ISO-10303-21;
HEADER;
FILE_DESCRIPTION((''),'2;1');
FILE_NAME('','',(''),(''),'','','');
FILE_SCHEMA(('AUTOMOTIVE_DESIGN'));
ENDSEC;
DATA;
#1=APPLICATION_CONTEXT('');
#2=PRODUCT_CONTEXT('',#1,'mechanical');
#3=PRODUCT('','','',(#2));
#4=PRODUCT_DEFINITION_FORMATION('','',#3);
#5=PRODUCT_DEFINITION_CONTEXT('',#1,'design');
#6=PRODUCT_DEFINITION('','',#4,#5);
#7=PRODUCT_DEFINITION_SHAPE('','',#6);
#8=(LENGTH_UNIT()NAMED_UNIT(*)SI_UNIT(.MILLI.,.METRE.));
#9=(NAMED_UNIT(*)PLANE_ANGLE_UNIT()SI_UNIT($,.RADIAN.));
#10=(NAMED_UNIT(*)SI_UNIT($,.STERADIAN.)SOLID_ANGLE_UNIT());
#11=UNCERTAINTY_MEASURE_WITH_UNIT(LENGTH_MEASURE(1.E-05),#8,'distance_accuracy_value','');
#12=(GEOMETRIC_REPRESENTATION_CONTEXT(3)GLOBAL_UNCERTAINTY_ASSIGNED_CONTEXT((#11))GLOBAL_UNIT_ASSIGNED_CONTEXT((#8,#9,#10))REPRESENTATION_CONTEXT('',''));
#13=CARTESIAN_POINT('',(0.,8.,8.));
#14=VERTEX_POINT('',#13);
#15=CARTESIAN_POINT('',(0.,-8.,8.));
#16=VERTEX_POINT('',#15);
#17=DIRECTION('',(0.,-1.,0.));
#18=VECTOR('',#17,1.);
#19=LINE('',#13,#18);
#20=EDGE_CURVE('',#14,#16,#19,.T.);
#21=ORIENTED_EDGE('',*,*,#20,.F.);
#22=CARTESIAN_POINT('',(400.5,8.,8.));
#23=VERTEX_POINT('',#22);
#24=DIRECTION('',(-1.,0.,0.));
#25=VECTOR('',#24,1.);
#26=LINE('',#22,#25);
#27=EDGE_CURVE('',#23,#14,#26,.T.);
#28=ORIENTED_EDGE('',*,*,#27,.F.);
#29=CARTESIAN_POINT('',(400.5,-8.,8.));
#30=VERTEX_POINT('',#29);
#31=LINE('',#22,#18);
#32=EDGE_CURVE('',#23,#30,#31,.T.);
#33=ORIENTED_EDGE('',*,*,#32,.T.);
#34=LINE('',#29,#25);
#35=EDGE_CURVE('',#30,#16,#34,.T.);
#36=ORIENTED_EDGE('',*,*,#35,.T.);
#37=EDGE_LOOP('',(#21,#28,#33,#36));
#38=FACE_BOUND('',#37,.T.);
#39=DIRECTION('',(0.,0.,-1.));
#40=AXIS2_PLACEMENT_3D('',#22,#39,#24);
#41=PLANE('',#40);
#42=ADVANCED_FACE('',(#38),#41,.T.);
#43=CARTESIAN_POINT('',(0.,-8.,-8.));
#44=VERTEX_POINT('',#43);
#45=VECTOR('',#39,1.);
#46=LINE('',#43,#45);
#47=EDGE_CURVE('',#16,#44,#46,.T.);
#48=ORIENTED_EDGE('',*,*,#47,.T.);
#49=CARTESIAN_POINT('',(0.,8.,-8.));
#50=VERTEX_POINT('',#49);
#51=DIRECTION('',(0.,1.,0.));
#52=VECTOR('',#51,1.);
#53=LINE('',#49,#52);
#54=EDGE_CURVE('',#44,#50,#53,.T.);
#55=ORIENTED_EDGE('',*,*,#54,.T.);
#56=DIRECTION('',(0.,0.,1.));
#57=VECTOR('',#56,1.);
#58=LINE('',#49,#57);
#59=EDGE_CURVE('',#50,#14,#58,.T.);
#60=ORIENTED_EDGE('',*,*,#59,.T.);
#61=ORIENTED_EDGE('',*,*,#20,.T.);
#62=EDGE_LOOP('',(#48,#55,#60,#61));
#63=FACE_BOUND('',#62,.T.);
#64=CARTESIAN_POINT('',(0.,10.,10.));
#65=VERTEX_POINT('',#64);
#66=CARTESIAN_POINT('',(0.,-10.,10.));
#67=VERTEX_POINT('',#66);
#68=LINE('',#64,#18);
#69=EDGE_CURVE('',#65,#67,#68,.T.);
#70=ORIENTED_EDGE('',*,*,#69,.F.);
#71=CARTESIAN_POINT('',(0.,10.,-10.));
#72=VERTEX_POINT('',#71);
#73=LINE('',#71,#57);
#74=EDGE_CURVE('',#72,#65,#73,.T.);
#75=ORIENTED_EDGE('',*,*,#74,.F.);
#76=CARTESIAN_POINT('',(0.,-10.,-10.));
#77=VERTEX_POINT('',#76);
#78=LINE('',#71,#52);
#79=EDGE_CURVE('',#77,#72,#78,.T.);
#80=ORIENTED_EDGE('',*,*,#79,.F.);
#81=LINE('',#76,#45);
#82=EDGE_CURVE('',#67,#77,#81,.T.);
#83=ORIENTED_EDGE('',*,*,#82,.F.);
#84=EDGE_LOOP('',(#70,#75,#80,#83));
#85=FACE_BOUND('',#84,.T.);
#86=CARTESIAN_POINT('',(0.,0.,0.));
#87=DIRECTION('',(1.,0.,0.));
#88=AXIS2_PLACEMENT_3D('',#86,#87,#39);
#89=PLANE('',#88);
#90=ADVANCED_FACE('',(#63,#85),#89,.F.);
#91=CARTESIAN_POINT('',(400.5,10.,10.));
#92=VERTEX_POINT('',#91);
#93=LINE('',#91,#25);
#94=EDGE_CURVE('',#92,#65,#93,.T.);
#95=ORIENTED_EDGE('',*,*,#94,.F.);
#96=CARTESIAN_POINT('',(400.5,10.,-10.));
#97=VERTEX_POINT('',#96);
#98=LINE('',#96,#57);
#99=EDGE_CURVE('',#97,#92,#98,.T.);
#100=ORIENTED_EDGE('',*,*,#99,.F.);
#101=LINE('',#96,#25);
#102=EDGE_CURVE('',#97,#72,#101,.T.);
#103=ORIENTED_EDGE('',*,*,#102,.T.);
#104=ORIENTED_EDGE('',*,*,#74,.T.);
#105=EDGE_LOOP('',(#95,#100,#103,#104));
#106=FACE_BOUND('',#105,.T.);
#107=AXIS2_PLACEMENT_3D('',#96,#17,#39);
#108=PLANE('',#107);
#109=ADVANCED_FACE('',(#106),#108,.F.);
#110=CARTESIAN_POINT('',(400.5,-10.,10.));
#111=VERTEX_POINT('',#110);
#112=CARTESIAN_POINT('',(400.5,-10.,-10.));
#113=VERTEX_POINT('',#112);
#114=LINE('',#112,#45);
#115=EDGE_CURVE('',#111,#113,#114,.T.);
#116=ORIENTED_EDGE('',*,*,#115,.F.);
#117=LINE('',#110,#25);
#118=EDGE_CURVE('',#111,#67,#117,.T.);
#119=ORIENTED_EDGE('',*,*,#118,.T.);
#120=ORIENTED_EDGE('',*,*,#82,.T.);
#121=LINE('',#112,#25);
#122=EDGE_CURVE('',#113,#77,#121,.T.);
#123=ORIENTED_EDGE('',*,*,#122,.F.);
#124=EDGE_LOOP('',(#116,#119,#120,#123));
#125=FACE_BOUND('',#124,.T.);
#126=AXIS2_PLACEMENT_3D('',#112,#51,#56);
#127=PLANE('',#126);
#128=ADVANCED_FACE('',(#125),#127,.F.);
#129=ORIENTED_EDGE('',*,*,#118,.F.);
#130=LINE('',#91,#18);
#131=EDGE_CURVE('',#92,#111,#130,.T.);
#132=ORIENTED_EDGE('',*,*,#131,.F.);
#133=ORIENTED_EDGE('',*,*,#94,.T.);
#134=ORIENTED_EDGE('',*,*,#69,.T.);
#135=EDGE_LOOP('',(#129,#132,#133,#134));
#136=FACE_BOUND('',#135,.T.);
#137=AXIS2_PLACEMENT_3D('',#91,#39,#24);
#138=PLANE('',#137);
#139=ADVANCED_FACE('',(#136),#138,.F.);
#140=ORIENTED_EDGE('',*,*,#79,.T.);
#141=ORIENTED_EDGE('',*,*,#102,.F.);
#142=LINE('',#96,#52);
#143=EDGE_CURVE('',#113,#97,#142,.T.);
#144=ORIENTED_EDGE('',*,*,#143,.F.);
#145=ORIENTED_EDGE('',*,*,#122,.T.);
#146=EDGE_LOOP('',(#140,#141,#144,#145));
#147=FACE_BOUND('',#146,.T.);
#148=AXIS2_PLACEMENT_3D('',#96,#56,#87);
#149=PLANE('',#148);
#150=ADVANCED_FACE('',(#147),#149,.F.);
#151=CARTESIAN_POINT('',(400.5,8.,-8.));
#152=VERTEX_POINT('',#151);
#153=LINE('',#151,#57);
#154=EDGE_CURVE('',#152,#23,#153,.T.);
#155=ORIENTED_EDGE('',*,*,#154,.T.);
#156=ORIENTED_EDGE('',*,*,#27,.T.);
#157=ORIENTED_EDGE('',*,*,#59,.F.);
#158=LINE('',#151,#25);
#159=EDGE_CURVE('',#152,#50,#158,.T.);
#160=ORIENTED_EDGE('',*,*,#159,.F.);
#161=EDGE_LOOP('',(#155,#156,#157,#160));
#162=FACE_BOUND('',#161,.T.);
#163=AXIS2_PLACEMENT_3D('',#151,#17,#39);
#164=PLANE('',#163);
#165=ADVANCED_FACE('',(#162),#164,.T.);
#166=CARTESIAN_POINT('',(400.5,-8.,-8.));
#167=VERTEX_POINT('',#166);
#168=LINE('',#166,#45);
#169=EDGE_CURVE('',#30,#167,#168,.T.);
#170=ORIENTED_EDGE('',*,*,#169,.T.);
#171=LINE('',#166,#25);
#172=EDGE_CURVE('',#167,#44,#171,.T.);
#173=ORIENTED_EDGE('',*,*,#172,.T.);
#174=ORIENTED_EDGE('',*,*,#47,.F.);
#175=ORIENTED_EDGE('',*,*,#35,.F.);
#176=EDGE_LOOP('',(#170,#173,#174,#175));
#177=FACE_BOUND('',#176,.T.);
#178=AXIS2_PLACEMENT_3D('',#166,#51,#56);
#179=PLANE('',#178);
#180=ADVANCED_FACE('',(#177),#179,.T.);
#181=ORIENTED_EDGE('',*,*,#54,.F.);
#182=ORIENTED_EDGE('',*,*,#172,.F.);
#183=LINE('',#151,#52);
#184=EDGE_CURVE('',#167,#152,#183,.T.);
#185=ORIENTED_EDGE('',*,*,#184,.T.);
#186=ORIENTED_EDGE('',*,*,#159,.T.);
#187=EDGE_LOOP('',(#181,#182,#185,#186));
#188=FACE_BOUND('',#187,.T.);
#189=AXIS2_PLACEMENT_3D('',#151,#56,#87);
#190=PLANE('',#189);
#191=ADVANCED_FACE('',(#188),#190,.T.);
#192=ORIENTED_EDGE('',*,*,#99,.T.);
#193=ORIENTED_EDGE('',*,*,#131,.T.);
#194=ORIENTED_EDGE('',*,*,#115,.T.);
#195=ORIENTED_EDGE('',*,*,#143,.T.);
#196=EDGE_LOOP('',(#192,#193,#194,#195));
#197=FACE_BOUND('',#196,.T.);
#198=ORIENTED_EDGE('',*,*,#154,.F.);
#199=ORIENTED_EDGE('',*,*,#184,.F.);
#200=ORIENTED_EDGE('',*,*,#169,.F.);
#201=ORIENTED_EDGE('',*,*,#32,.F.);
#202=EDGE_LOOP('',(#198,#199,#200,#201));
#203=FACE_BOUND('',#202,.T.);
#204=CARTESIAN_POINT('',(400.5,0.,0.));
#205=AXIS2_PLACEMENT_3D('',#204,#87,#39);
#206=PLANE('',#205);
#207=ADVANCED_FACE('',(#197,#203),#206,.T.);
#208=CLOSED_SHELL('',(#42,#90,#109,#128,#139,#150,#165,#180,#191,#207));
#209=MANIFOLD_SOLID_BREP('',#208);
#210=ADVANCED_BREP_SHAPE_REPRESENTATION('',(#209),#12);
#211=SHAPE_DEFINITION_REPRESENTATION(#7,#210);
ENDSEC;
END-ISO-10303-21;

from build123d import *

# Parameters (mm, degrees)
SKETCH1_W             = 20
SKETCH1_H             = 20
SKETCH1_W_2           = 16
SKETCH1_H_2           = 16
F_20_X_20_X_2_1_DEPTH = 400.5


with BuildPart() as part:
    # Sketch1 → 方形管 20 X 20 X 2 无圆角(1) (new body)
    with BuildSketch(Plane.YZ):
        Rectangle(SKETCH1_W, SKETCH1_H)
        Rectangle(SKETCH1_W_2, SKETCH1_H_2, mode=Mode.SUBTRACT)
    extrude(amount=F_20_X_20_X_2_1_DEPTH)


solid = part.part
